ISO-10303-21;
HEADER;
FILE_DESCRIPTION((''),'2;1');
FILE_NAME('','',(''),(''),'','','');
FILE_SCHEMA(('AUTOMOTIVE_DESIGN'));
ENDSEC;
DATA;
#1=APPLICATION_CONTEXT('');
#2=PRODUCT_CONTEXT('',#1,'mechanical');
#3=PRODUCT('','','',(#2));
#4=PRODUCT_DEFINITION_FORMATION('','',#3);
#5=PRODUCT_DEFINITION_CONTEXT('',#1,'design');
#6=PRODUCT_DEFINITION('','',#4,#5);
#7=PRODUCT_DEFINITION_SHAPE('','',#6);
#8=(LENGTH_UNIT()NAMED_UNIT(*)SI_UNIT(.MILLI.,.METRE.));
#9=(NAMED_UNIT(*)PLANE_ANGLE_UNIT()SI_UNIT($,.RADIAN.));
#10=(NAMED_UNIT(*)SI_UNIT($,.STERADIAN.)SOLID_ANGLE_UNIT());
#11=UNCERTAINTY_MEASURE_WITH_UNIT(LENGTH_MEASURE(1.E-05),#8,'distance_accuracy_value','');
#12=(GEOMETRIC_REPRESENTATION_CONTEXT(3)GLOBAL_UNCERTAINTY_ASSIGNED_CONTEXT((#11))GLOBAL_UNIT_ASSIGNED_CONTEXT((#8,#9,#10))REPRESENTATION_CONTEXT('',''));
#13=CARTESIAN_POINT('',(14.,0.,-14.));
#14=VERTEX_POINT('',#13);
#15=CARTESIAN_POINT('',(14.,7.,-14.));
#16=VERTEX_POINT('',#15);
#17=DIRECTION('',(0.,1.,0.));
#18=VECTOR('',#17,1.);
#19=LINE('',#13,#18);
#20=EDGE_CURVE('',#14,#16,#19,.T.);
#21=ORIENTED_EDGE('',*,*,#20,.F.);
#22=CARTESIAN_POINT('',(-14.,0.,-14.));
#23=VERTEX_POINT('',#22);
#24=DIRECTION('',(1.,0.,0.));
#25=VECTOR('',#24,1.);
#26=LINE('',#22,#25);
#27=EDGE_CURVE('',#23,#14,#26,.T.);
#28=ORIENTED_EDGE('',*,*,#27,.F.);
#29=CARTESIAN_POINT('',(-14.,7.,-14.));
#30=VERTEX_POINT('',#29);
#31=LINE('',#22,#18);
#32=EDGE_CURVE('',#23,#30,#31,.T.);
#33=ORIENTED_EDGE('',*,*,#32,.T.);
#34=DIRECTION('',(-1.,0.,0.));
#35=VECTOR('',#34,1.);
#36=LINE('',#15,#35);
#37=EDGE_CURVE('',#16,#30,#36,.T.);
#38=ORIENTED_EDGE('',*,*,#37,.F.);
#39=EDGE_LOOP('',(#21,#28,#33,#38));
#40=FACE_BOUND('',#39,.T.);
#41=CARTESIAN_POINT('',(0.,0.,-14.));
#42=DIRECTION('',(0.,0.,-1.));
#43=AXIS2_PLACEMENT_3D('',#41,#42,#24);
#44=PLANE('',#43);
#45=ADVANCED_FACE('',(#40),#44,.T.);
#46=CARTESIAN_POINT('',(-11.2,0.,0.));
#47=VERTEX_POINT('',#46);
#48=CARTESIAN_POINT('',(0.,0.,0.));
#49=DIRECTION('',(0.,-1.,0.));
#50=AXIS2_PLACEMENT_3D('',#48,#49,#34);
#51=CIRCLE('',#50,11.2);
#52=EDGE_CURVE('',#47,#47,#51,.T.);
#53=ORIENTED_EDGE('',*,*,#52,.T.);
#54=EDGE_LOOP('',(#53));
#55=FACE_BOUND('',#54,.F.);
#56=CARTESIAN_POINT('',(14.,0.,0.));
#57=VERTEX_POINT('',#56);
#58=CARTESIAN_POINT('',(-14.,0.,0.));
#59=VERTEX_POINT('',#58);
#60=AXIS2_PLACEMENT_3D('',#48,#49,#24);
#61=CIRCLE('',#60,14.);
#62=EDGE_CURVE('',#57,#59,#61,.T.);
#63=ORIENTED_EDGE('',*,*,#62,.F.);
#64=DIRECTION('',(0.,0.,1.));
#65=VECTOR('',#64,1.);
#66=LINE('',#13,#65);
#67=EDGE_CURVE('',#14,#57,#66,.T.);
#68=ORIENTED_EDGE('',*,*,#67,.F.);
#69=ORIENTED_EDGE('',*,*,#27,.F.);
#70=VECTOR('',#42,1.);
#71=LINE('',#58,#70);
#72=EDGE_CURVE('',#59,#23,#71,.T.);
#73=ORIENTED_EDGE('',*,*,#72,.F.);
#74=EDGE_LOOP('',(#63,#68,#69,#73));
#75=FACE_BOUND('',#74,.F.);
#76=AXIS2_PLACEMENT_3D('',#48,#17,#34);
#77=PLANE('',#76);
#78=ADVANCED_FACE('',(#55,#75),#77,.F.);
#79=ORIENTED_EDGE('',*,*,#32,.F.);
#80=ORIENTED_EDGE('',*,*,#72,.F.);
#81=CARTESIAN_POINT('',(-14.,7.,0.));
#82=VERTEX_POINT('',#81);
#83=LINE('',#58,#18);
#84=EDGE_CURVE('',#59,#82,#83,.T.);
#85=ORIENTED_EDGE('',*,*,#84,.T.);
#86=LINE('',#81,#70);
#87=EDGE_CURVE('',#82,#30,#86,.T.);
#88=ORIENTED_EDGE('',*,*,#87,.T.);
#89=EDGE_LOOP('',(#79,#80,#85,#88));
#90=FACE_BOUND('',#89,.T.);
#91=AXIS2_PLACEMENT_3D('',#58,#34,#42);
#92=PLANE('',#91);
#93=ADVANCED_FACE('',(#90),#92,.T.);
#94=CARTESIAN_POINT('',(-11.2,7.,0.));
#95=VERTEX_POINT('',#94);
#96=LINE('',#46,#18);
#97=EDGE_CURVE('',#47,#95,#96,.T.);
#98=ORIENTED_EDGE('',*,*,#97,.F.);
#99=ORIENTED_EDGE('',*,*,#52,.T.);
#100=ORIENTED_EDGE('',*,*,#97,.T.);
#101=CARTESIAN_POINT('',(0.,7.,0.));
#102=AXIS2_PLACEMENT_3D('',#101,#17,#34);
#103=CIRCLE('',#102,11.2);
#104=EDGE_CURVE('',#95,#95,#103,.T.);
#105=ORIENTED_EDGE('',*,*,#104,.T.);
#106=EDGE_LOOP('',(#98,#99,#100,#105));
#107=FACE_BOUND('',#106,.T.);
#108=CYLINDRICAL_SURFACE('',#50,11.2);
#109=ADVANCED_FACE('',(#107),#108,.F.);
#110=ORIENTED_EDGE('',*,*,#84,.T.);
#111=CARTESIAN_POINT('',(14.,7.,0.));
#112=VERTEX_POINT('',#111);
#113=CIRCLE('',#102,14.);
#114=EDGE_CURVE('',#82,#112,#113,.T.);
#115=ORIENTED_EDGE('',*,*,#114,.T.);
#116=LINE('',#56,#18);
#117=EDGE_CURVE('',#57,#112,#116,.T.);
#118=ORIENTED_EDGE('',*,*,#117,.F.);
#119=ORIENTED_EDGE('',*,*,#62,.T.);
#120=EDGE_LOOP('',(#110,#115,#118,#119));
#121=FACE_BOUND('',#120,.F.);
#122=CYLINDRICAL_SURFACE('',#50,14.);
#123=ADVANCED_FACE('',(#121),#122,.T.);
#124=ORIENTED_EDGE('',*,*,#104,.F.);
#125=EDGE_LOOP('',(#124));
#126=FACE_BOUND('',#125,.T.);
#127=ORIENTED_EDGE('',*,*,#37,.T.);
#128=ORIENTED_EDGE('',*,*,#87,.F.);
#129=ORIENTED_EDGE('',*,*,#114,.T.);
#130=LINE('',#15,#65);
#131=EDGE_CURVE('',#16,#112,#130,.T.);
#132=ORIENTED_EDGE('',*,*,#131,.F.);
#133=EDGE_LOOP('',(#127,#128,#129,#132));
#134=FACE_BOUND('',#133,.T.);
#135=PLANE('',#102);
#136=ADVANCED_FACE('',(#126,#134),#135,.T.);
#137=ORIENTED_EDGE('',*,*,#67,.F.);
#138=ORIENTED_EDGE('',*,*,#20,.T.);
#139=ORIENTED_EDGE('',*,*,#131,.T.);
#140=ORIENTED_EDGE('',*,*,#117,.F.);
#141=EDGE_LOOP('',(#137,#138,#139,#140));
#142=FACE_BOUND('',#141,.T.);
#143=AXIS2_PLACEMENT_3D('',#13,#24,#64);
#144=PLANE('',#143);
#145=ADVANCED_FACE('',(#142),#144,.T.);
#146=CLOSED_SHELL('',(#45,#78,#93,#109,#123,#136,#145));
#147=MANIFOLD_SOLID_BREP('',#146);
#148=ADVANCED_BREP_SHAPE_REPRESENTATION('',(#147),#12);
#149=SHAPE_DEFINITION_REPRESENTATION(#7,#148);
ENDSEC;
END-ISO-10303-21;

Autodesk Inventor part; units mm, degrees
ref_plane "YZ Plane" through (0, 0, 0) normal (1, 0, 0) x (0, 1, 0)
ref_plane "XZ Plane" through (0, 0, 0) normal (0, 1, 0) x (-1, 0, 0)
ref_plane "XY Plane" through (0, 0, 0) normal (0, 0, 1) x (1, 0, 0)
sketch "Sketch1" plane through (0, 0, 0) normal (0, 1, 0) x (-1, 0, 0)
  line L0 (0, -19.6) -> (0, 19.6) projected
  line L1 (19.6, 0) -> (-19.6, 0) projected
  circle A0 centre (0, 0) radius 4
  circle A1 centre (0, 0) radius 11.2
  circle A2 centre (0, 0) radius 14
  line L2 (14, 0) -> (14, -14)
  line L3 (14, -14) -> (-14, -14)
  line L4 (-14, -14) -> (-14, 0)
  dimension "d0" = 8
  dimension "d1" = 22.4
  dimension "d2" = 28
  dimension "d3" = 28
  dimension "d4" = 14
extrude "Extrusion1" add sketch "Sketch1" along normal blind 7 contours A2 L1 A1 L0 | L3 L4 A2 | L0 A1 L1 A2 | A2 L2 L3 | A2 L0 A1 L1 | L1 A1 L0 A2
properties part number "laterales"
